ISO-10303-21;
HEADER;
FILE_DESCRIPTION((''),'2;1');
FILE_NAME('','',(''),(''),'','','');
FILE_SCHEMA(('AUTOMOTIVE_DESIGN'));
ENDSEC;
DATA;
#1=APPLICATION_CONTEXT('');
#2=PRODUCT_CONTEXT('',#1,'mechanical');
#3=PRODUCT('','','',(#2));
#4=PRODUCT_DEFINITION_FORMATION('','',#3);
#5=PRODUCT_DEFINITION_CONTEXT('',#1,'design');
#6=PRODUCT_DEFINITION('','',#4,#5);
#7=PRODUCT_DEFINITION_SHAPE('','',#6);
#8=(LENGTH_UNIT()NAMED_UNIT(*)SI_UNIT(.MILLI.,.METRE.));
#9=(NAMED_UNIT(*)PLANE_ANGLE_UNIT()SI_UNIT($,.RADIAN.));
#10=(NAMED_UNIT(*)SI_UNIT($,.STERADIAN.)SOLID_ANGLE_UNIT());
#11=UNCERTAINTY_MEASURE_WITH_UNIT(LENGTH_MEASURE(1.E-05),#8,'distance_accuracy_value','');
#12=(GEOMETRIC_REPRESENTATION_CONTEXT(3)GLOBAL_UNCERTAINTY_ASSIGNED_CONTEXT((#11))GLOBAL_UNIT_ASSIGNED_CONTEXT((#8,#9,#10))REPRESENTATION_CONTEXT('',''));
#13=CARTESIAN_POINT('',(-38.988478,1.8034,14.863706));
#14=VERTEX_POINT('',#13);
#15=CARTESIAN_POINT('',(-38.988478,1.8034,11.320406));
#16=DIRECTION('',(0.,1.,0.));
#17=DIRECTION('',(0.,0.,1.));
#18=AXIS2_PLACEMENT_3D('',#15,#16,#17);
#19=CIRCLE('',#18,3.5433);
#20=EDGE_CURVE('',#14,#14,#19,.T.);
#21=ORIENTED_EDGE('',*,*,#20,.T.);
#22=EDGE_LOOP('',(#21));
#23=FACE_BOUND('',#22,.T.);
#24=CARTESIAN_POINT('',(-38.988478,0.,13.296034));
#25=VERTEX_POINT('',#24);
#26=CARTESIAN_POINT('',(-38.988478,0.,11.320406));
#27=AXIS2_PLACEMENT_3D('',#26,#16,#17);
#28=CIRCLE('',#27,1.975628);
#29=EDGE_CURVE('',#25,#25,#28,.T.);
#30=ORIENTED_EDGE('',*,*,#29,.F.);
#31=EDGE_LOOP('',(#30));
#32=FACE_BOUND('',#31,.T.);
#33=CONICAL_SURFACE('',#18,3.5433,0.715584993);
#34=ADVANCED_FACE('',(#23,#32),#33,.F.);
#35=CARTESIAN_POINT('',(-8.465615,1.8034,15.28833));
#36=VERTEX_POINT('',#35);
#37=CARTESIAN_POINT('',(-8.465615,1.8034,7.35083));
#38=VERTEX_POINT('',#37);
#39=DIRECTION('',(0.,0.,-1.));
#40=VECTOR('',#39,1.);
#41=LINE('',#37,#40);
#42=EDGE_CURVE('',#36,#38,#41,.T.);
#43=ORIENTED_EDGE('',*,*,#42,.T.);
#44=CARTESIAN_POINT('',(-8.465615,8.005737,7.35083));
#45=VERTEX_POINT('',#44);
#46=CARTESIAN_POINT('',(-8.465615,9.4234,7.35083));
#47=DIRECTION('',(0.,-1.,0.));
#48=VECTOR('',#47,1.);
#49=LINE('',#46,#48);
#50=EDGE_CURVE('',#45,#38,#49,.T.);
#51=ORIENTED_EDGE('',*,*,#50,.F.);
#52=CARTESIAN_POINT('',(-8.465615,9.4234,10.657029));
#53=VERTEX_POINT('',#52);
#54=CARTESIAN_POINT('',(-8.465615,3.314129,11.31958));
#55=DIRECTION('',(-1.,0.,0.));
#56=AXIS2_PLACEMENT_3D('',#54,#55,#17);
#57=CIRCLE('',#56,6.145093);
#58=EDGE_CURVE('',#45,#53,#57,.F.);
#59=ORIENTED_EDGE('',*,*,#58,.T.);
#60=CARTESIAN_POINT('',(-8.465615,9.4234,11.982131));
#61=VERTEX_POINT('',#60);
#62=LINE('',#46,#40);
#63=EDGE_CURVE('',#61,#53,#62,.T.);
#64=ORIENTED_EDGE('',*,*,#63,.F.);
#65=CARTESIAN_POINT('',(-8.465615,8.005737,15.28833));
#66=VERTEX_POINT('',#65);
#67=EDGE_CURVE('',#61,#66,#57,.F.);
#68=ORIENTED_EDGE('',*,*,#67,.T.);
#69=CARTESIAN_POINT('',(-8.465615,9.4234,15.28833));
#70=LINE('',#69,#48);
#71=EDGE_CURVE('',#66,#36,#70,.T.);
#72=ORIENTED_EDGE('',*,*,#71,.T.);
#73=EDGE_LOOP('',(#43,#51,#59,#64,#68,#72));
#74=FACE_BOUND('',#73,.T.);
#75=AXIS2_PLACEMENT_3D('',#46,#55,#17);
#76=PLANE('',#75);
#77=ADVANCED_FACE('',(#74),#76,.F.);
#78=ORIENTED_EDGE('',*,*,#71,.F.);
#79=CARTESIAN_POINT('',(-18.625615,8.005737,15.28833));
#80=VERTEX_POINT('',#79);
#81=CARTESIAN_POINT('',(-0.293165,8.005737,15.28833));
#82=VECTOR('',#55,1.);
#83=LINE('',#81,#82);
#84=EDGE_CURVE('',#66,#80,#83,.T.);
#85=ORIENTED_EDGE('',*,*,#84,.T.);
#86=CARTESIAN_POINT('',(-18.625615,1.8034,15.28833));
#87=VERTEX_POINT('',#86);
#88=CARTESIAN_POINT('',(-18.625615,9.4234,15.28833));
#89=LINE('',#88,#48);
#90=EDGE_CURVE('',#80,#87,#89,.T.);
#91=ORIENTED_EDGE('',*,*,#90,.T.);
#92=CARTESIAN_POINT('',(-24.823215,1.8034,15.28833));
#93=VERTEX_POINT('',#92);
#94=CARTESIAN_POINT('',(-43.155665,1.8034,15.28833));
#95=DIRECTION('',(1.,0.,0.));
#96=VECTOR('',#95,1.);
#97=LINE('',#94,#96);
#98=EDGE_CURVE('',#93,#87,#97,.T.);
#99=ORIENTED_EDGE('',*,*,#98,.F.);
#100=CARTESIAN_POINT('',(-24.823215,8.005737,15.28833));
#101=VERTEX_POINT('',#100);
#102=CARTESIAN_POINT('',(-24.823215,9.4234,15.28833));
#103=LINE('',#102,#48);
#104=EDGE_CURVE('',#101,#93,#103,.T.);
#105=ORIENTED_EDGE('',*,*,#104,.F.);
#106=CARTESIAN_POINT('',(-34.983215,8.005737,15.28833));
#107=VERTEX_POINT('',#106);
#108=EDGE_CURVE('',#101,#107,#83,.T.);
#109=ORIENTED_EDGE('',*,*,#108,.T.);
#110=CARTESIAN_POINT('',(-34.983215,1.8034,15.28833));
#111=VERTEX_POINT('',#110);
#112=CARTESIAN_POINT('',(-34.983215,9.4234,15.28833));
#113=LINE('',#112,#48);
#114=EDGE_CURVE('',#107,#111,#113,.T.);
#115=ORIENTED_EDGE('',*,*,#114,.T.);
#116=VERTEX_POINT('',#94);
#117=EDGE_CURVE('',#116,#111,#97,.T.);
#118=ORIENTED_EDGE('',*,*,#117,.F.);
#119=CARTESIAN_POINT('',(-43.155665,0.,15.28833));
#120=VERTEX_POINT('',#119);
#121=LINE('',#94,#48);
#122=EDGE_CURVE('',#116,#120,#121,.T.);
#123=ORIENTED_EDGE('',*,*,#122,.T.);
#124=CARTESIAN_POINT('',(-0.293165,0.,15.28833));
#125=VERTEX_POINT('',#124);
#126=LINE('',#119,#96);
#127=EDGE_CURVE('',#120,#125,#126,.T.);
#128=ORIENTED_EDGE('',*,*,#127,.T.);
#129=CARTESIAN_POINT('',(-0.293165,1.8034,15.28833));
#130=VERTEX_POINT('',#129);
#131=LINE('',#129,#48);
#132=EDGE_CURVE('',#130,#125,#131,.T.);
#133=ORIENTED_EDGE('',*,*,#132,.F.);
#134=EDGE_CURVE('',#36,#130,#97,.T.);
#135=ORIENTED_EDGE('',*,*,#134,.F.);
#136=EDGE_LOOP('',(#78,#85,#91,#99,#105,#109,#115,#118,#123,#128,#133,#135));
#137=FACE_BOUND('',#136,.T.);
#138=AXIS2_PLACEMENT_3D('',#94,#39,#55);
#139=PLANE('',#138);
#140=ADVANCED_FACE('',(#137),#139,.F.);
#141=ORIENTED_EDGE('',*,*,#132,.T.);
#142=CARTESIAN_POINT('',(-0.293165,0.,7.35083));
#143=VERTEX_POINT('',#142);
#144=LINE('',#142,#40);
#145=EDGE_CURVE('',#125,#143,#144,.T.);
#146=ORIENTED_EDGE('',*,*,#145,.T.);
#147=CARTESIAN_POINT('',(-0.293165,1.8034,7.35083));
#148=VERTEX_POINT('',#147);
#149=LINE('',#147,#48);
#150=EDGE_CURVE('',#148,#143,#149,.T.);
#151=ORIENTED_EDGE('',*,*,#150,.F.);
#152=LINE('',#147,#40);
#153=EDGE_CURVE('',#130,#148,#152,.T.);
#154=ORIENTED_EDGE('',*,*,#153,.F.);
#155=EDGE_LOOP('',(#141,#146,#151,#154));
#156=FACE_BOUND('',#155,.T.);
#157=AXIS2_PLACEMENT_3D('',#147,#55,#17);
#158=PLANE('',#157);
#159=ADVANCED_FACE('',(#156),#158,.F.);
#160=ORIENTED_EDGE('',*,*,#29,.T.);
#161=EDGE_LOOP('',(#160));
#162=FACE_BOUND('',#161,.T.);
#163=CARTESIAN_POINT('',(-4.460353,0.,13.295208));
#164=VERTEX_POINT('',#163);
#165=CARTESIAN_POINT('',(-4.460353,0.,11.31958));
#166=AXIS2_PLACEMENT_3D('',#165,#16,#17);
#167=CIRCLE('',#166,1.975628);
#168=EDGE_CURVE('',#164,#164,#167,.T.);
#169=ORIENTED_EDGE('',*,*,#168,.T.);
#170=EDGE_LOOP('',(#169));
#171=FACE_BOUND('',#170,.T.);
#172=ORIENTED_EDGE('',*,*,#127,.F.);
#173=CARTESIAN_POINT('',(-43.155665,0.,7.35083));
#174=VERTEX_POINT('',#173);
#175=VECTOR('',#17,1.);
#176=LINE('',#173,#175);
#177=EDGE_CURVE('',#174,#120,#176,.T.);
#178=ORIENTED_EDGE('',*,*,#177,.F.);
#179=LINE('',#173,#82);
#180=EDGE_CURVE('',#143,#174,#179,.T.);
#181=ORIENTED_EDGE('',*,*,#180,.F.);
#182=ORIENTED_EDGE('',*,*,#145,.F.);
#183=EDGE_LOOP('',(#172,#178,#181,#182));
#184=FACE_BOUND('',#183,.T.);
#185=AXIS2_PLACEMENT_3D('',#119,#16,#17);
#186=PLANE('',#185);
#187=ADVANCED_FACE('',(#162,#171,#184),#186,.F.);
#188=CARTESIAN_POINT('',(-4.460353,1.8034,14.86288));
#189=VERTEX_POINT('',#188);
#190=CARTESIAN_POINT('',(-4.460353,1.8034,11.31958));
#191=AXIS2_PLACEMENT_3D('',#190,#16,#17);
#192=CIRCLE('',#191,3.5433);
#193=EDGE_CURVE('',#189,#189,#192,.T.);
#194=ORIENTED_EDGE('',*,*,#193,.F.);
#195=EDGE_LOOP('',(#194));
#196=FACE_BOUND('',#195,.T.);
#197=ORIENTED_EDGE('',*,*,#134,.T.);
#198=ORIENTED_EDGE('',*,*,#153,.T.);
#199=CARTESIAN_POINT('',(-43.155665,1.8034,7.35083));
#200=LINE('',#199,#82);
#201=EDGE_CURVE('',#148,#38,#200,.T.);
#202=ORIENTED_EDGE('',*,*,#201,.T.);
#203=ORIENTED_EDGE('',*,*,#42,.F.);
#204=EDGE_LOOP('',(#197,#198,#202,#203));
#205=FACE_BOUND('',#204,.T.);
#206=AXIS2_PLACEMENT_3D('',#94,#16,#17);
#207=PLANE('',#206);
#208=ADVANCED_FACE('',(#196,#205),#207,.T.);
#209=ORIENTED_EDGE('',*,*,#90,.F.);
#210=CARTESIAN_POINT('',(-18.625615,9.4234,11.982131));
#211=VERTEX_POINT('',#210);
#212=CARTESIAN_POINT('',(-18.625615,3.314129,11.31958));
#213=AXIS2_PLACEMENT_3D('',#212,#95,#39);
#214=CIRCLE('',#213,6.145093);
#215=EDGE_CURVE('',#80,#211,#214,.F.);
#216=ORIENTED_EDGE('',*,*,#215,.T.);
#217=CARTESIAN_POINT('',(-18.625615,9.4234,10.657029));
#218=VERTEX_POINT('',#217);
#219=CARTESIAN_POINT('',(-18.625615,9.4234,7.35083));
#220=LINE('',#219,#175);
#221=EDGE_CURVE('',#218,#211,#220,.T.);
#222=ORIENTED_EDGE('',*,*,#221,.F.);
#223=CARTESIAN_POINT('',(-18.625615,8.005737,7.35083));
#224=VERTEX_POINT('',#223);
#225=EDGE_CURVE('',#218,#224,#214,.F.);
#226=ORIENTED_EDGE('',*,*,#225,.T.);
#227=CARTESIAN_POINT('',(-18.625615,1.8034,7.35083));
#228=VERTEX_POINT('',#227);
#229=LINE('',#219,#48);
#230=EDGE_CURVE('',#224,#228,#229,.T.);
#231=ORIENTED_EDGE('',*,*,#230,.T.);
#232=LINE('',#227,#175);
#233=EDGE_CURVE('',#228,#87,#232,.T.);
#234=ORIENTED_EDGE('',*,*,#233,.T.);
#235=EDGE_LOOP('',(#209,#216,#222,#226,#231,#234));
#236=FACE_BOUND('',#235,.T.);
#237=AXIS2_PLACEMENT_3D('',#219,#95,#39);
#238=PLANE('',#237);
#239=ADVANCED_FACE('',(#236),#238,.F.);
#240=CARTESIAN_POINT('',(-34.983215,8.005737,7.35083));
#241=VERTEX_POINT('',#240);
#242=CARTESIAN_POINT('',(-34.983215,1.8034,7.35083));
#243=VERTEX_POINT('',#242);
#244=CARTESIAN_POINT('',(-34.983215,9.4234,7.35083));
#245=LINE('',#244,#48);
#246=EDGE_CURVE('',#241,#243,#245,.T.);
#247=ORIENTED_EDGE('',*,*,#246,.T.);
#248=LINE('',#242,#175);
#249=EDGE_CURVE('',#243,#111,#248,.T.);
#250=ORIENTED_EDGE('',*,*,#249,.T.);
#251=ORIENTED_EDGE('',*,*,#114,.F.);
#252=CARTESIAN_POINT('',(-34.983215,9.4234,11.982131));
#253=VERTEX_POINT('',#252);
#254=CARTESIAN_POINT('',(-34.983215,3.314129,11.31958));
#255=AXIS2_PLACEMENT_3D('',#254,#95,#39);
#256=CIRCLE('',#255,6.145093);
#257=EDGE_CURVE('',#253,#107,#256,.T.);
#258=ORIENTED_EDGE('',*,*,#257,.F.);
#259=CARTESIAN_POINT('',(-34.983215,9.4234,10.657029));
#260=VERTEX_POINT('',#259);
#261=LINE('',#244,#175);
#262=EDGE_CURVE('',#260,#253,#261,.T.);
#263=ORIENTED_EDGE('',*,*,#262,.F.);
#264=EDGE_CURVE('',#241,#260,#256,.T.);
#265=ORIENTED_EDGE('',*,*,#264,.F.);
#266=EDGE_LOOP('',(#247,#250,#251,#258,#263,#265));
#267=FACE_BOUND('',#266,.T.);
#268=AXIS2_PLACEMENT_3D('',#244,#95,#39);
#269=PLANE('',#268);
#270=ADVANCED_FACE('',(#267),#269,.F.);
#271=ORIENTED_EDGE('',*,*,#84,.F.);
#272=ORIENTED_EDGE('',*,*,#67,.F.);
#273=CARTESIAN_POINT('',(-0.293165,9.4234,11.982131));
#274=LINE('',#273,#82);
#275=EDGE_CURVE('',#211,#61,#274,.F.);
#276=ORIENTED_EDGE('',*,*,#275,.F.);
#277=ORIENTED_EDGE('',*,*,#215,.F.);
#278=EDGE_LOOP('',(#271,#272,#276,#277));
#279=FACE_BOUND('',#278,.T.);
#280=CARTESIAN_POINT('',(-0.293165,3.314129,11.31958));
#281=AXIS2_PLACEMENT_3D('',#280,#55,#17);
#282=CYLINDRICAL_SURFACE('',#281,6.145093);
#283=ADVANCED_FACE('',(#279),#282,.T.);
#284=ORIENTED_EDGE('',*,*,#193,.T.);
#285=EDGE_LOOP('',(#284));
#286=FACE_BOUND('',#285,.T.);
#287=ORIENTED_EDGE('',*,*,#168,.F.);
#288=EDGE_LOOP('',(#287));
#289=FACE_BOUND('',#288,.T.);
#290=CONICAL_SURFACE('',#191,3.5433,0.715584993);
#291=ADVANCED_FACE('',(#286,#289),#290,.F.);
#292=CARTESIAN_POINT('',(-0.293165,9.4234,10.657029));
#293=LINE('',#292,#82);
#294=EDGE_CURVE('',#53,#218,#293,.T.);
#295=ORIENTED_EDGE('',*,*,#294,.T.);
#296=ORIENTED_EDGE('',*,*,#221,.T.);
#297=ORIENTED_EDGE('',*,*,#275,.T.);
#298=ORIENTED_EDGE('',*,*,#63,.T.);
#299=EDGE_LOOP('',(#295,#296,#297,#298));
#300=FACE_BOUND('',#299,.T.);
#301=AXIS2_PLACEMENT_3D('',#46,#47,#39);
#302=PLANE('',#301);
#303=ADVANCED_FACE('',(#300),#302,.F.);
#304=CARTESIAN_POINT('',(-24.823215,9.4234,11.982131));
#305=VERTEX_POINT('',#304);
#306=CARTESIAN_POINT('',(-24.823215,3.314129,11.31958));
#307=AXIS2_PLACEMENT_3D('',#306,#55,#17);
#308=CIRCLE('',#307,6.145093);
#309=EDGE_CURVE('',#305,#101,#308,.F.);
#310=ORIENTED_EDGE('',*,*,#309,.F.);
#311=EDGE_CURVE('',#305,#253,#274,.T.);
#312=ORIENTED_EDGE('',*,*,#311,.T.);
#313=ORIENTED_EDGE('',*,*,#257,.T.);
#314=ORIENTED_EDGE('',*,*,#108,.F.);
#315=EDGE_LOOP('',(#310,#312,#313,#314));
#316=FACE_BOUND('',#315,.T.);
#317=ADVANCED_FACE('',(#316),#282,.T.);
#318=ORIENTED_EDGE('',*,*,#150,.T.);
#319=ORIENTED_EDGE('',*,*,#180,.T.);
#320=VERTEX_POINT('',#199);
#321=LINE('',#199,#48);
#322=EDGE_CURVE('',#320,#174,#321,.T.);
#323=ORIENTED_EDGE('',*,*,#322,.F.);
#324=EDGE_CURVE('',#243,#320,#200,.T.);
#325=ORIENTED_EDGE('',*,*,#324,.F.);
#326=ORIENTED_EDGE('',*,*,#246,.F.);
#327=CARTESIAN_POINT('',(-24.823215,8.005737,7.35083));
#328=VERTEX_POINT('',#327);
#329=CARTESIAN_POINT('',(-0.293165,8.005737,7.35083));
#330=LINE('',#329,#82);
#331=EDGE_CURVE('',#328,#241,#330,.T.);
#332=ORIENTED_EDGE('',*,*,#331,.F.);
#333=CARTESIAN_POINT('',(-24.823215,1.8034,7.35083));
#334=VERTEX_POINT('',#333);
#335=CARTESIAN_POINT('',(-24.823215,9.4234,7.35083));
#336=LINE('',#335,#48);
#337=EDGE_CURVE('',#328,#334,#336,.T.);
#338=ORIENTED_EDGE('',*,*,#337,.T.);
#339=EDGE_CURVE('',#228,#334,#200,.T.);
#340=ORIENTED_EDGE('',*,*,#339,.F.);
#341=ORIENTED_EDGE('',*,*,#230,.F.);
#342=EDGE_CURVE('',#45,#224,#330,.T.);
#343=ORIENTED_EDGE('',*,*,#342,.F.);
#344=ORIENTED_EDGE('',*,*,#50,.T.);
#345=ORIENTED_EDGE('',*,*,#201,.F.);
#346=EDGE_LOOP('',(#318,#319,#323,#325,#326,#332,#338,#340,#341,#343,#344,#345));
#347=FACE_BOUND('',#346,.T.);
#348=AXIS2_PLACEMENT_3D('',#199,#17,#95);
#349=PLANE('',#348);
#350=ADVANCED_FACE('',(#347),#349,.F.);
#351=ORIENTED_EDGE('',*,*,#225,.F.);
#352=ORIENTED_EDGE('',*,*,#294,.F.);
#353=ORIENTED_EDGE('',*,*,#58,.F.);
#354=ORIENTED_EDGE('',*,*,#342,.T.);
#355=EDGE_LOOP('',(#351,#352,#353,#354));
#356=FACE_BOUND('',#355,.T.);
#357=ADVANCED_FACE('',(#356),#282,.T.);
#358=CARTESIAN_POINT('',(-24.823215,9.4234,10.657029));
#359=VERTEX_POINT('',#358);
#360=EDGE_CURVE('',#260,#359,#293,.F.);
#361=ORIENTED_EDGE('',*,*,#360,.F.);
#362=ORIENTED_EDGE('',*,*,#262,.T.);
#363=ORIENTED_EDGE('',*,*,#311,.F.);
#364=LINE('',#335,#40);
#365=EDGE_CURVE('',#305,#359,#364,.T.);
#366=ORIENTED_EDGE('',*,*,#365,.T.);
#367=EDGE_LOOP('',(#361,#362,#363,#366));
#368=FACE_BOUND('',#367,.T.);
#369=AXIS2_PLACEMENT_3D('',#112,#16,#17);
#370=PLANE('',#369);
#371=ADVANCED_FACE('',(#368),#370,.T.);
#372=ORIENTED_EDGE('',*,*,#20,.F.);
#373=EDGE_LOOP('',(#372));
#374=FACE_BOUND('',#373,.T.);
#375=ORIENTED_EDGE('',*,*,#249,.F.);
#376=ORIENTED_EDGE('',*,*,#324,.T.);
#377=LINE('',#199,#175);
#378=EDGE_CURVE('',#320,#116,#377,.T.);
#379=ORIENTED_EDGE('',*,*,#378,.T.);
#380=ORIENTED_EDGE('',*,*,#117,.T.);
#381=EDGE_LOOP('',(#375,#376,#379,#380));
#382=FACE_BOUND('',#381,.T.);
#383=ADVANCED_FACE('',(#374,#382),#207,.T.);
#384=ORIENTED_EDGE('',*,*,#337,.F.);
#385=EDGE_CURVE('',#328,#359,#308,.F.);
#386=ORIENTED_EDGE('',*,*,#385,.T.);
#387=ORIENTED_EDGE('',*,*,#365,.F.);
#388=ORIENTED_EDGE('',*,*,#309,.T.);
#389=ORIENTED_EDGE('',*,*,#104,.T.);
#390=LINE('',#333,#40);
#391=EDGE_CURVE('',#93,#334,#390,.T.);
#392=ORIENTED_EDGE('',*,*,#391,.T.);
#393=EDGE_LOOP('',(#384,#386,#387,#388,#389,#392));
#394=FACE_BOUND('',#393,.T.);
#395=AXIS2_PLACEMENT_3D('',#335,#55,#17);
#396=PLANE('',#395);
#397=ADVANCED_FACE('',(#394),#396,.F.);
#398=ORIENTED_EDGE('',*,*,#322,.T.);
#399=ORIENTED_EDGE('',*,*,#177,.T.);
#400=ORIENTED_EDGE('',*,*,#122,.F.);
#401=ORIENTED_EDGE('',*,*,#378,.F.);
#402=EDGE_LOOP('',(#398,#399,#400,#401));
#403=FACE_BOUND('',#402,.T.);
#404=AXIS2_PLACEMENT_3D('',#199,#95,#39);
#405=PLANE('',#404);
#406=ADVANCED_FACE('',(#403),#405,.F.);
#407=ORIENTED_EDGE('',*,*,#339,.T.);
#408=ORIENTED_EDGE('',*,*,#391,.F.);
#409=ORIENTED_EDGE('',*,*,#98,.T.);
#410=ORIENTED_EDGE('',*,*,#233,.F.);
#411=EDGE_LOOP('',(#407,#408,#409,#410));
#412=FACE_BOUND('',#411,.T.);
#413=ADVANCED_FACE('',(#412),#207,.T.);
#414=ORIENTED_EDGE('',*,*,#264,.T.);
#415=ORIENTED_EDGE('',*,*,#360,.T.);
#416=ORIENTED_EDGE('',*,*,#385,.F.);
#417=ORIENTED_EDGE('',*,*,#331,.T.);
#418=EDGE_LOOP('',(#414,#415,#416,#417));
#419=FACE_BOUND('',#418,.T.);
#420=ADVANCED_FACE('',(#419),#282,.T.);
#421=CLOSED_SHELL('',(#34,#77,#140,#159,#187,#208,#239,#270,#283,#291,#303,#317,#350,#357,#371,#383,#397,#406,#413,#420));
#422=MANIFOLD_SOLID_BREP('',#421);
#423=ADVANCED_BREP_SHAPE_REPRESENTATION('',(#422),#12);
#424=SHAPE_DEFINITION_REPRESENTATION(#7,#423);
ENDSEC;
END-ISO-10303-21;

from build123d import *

# Parameters (mm, degrees)
SKETCH2_W                                     = 42.8625
SKETCH2_H                                     = 7.9375
BOSS_EXTRUDE1_DEPTH                           = 1.8034
SKETCH3_W                                     = 10.16
SKETCH3_H                                     = 7.9375
BOSS_EXTRUDE2_DEPTH                           = 7.62
CUT_EXTRUDE1_DEPTH                            = 35.69005
CSK_FOR_6_FLAT_HEAD_MACHINE_SCREW1_AT_2_COUNT = 2
CSK_FOR_6_FLAT_HEAD_MACHINE_SCREW1_AT_2_PITCH = 34.52812501


with BuildPart() as part:
    # Sketch2 → Boss-Extrude1 (new body)
    with BuildSketch(Plane(origin=(0, 0, 0), x_dir=(1, 0, 0), z_dir=(0, 1, 0))):
        with Locations((-21.724415377, -11.319579887)):
            Rectangle(SKETCH2_W, SKETCH2_H)
    extrude(amount=BOSS_EXTRUDE1_DEPTH)

    # Sketch3 → Boss-Extrude2 (add)
    with BuildSketch(Plane(origin=(0, 1.8034, 0), x_dir=(1, 0, 0), z_dir=(0, 1, 0))):
        with Locations((-29.903215377, -11.319579887)):
            Rectangle(SKETCH3_W, SKETCH3_H)
        with Locations((-13.545615377, -11.319579887)):
            Rectangle(SKETCH3_W, SKETCH3_H)
    extrude(amount=BOSS_EXTRUDE2_DEPTH)

    # Sketch5 → Cut-Extrude1 (cut, through all)
    with BuildSketch(Plane.ZY.offset(34.983215377)):
        with BuildLine():
            Line((7.350829887, 8.005737457), (7.350829887, 10.117841345))
            Line((7.350829887, 10.117841345), (15.288329887, 10.117841345))
            Line((15.288329887, 10.117841345), (15.288329887, 8.005737457))
            ThreePointArc((15.288329887, 8.005737457), (11.319579887, 9.459221838), (7.350829887, 8.005737457))
        make_face()
    extrude(amount=-CUT_EXTRUDE1_DEPTH, mode=Mode.SUBTRACT)

    # Sketch6 → CSK for #6 Flat Head Machine Screw1 (revolve, cut)
    with BuildSketch(Plane(origin=(-4.460352877, 1.8034, 11.319579887), x_dir=(0, 0, 1), z_dir=(1, 0, 0))):
        Polygon((0, 0), (0, 1.8034), (1.89865, 1.8034), (1.89865, 1.891953401), (3.5433, 0), align=None)
    csk_for_6_flat_head_machine_screw1 = revolve(axis=Axis((-4.460352877, 8.1534, 11.319579887), (0, -1, 0)), mode=Mode.SUBTRACT)

    # CSK for #6 Flat Head Machine Screw1 at 2: CSK for #6 Flat Head Machine Screw1 ×2
    with Locations(*[(-i * CSK_FOR_6_FLAT_HEAD_MACHINE_SCREW1_AT_2_PITCH, 0, 0) for i in range(1, CSK_FOR_6_FLAT_HEAD_MACHINE_SCREW1_AT_2_COUNT)]):
        add(csk_for_6_flat_head_machine_screw1, mode=Mode.SUBTRACT)


solid = part.part
